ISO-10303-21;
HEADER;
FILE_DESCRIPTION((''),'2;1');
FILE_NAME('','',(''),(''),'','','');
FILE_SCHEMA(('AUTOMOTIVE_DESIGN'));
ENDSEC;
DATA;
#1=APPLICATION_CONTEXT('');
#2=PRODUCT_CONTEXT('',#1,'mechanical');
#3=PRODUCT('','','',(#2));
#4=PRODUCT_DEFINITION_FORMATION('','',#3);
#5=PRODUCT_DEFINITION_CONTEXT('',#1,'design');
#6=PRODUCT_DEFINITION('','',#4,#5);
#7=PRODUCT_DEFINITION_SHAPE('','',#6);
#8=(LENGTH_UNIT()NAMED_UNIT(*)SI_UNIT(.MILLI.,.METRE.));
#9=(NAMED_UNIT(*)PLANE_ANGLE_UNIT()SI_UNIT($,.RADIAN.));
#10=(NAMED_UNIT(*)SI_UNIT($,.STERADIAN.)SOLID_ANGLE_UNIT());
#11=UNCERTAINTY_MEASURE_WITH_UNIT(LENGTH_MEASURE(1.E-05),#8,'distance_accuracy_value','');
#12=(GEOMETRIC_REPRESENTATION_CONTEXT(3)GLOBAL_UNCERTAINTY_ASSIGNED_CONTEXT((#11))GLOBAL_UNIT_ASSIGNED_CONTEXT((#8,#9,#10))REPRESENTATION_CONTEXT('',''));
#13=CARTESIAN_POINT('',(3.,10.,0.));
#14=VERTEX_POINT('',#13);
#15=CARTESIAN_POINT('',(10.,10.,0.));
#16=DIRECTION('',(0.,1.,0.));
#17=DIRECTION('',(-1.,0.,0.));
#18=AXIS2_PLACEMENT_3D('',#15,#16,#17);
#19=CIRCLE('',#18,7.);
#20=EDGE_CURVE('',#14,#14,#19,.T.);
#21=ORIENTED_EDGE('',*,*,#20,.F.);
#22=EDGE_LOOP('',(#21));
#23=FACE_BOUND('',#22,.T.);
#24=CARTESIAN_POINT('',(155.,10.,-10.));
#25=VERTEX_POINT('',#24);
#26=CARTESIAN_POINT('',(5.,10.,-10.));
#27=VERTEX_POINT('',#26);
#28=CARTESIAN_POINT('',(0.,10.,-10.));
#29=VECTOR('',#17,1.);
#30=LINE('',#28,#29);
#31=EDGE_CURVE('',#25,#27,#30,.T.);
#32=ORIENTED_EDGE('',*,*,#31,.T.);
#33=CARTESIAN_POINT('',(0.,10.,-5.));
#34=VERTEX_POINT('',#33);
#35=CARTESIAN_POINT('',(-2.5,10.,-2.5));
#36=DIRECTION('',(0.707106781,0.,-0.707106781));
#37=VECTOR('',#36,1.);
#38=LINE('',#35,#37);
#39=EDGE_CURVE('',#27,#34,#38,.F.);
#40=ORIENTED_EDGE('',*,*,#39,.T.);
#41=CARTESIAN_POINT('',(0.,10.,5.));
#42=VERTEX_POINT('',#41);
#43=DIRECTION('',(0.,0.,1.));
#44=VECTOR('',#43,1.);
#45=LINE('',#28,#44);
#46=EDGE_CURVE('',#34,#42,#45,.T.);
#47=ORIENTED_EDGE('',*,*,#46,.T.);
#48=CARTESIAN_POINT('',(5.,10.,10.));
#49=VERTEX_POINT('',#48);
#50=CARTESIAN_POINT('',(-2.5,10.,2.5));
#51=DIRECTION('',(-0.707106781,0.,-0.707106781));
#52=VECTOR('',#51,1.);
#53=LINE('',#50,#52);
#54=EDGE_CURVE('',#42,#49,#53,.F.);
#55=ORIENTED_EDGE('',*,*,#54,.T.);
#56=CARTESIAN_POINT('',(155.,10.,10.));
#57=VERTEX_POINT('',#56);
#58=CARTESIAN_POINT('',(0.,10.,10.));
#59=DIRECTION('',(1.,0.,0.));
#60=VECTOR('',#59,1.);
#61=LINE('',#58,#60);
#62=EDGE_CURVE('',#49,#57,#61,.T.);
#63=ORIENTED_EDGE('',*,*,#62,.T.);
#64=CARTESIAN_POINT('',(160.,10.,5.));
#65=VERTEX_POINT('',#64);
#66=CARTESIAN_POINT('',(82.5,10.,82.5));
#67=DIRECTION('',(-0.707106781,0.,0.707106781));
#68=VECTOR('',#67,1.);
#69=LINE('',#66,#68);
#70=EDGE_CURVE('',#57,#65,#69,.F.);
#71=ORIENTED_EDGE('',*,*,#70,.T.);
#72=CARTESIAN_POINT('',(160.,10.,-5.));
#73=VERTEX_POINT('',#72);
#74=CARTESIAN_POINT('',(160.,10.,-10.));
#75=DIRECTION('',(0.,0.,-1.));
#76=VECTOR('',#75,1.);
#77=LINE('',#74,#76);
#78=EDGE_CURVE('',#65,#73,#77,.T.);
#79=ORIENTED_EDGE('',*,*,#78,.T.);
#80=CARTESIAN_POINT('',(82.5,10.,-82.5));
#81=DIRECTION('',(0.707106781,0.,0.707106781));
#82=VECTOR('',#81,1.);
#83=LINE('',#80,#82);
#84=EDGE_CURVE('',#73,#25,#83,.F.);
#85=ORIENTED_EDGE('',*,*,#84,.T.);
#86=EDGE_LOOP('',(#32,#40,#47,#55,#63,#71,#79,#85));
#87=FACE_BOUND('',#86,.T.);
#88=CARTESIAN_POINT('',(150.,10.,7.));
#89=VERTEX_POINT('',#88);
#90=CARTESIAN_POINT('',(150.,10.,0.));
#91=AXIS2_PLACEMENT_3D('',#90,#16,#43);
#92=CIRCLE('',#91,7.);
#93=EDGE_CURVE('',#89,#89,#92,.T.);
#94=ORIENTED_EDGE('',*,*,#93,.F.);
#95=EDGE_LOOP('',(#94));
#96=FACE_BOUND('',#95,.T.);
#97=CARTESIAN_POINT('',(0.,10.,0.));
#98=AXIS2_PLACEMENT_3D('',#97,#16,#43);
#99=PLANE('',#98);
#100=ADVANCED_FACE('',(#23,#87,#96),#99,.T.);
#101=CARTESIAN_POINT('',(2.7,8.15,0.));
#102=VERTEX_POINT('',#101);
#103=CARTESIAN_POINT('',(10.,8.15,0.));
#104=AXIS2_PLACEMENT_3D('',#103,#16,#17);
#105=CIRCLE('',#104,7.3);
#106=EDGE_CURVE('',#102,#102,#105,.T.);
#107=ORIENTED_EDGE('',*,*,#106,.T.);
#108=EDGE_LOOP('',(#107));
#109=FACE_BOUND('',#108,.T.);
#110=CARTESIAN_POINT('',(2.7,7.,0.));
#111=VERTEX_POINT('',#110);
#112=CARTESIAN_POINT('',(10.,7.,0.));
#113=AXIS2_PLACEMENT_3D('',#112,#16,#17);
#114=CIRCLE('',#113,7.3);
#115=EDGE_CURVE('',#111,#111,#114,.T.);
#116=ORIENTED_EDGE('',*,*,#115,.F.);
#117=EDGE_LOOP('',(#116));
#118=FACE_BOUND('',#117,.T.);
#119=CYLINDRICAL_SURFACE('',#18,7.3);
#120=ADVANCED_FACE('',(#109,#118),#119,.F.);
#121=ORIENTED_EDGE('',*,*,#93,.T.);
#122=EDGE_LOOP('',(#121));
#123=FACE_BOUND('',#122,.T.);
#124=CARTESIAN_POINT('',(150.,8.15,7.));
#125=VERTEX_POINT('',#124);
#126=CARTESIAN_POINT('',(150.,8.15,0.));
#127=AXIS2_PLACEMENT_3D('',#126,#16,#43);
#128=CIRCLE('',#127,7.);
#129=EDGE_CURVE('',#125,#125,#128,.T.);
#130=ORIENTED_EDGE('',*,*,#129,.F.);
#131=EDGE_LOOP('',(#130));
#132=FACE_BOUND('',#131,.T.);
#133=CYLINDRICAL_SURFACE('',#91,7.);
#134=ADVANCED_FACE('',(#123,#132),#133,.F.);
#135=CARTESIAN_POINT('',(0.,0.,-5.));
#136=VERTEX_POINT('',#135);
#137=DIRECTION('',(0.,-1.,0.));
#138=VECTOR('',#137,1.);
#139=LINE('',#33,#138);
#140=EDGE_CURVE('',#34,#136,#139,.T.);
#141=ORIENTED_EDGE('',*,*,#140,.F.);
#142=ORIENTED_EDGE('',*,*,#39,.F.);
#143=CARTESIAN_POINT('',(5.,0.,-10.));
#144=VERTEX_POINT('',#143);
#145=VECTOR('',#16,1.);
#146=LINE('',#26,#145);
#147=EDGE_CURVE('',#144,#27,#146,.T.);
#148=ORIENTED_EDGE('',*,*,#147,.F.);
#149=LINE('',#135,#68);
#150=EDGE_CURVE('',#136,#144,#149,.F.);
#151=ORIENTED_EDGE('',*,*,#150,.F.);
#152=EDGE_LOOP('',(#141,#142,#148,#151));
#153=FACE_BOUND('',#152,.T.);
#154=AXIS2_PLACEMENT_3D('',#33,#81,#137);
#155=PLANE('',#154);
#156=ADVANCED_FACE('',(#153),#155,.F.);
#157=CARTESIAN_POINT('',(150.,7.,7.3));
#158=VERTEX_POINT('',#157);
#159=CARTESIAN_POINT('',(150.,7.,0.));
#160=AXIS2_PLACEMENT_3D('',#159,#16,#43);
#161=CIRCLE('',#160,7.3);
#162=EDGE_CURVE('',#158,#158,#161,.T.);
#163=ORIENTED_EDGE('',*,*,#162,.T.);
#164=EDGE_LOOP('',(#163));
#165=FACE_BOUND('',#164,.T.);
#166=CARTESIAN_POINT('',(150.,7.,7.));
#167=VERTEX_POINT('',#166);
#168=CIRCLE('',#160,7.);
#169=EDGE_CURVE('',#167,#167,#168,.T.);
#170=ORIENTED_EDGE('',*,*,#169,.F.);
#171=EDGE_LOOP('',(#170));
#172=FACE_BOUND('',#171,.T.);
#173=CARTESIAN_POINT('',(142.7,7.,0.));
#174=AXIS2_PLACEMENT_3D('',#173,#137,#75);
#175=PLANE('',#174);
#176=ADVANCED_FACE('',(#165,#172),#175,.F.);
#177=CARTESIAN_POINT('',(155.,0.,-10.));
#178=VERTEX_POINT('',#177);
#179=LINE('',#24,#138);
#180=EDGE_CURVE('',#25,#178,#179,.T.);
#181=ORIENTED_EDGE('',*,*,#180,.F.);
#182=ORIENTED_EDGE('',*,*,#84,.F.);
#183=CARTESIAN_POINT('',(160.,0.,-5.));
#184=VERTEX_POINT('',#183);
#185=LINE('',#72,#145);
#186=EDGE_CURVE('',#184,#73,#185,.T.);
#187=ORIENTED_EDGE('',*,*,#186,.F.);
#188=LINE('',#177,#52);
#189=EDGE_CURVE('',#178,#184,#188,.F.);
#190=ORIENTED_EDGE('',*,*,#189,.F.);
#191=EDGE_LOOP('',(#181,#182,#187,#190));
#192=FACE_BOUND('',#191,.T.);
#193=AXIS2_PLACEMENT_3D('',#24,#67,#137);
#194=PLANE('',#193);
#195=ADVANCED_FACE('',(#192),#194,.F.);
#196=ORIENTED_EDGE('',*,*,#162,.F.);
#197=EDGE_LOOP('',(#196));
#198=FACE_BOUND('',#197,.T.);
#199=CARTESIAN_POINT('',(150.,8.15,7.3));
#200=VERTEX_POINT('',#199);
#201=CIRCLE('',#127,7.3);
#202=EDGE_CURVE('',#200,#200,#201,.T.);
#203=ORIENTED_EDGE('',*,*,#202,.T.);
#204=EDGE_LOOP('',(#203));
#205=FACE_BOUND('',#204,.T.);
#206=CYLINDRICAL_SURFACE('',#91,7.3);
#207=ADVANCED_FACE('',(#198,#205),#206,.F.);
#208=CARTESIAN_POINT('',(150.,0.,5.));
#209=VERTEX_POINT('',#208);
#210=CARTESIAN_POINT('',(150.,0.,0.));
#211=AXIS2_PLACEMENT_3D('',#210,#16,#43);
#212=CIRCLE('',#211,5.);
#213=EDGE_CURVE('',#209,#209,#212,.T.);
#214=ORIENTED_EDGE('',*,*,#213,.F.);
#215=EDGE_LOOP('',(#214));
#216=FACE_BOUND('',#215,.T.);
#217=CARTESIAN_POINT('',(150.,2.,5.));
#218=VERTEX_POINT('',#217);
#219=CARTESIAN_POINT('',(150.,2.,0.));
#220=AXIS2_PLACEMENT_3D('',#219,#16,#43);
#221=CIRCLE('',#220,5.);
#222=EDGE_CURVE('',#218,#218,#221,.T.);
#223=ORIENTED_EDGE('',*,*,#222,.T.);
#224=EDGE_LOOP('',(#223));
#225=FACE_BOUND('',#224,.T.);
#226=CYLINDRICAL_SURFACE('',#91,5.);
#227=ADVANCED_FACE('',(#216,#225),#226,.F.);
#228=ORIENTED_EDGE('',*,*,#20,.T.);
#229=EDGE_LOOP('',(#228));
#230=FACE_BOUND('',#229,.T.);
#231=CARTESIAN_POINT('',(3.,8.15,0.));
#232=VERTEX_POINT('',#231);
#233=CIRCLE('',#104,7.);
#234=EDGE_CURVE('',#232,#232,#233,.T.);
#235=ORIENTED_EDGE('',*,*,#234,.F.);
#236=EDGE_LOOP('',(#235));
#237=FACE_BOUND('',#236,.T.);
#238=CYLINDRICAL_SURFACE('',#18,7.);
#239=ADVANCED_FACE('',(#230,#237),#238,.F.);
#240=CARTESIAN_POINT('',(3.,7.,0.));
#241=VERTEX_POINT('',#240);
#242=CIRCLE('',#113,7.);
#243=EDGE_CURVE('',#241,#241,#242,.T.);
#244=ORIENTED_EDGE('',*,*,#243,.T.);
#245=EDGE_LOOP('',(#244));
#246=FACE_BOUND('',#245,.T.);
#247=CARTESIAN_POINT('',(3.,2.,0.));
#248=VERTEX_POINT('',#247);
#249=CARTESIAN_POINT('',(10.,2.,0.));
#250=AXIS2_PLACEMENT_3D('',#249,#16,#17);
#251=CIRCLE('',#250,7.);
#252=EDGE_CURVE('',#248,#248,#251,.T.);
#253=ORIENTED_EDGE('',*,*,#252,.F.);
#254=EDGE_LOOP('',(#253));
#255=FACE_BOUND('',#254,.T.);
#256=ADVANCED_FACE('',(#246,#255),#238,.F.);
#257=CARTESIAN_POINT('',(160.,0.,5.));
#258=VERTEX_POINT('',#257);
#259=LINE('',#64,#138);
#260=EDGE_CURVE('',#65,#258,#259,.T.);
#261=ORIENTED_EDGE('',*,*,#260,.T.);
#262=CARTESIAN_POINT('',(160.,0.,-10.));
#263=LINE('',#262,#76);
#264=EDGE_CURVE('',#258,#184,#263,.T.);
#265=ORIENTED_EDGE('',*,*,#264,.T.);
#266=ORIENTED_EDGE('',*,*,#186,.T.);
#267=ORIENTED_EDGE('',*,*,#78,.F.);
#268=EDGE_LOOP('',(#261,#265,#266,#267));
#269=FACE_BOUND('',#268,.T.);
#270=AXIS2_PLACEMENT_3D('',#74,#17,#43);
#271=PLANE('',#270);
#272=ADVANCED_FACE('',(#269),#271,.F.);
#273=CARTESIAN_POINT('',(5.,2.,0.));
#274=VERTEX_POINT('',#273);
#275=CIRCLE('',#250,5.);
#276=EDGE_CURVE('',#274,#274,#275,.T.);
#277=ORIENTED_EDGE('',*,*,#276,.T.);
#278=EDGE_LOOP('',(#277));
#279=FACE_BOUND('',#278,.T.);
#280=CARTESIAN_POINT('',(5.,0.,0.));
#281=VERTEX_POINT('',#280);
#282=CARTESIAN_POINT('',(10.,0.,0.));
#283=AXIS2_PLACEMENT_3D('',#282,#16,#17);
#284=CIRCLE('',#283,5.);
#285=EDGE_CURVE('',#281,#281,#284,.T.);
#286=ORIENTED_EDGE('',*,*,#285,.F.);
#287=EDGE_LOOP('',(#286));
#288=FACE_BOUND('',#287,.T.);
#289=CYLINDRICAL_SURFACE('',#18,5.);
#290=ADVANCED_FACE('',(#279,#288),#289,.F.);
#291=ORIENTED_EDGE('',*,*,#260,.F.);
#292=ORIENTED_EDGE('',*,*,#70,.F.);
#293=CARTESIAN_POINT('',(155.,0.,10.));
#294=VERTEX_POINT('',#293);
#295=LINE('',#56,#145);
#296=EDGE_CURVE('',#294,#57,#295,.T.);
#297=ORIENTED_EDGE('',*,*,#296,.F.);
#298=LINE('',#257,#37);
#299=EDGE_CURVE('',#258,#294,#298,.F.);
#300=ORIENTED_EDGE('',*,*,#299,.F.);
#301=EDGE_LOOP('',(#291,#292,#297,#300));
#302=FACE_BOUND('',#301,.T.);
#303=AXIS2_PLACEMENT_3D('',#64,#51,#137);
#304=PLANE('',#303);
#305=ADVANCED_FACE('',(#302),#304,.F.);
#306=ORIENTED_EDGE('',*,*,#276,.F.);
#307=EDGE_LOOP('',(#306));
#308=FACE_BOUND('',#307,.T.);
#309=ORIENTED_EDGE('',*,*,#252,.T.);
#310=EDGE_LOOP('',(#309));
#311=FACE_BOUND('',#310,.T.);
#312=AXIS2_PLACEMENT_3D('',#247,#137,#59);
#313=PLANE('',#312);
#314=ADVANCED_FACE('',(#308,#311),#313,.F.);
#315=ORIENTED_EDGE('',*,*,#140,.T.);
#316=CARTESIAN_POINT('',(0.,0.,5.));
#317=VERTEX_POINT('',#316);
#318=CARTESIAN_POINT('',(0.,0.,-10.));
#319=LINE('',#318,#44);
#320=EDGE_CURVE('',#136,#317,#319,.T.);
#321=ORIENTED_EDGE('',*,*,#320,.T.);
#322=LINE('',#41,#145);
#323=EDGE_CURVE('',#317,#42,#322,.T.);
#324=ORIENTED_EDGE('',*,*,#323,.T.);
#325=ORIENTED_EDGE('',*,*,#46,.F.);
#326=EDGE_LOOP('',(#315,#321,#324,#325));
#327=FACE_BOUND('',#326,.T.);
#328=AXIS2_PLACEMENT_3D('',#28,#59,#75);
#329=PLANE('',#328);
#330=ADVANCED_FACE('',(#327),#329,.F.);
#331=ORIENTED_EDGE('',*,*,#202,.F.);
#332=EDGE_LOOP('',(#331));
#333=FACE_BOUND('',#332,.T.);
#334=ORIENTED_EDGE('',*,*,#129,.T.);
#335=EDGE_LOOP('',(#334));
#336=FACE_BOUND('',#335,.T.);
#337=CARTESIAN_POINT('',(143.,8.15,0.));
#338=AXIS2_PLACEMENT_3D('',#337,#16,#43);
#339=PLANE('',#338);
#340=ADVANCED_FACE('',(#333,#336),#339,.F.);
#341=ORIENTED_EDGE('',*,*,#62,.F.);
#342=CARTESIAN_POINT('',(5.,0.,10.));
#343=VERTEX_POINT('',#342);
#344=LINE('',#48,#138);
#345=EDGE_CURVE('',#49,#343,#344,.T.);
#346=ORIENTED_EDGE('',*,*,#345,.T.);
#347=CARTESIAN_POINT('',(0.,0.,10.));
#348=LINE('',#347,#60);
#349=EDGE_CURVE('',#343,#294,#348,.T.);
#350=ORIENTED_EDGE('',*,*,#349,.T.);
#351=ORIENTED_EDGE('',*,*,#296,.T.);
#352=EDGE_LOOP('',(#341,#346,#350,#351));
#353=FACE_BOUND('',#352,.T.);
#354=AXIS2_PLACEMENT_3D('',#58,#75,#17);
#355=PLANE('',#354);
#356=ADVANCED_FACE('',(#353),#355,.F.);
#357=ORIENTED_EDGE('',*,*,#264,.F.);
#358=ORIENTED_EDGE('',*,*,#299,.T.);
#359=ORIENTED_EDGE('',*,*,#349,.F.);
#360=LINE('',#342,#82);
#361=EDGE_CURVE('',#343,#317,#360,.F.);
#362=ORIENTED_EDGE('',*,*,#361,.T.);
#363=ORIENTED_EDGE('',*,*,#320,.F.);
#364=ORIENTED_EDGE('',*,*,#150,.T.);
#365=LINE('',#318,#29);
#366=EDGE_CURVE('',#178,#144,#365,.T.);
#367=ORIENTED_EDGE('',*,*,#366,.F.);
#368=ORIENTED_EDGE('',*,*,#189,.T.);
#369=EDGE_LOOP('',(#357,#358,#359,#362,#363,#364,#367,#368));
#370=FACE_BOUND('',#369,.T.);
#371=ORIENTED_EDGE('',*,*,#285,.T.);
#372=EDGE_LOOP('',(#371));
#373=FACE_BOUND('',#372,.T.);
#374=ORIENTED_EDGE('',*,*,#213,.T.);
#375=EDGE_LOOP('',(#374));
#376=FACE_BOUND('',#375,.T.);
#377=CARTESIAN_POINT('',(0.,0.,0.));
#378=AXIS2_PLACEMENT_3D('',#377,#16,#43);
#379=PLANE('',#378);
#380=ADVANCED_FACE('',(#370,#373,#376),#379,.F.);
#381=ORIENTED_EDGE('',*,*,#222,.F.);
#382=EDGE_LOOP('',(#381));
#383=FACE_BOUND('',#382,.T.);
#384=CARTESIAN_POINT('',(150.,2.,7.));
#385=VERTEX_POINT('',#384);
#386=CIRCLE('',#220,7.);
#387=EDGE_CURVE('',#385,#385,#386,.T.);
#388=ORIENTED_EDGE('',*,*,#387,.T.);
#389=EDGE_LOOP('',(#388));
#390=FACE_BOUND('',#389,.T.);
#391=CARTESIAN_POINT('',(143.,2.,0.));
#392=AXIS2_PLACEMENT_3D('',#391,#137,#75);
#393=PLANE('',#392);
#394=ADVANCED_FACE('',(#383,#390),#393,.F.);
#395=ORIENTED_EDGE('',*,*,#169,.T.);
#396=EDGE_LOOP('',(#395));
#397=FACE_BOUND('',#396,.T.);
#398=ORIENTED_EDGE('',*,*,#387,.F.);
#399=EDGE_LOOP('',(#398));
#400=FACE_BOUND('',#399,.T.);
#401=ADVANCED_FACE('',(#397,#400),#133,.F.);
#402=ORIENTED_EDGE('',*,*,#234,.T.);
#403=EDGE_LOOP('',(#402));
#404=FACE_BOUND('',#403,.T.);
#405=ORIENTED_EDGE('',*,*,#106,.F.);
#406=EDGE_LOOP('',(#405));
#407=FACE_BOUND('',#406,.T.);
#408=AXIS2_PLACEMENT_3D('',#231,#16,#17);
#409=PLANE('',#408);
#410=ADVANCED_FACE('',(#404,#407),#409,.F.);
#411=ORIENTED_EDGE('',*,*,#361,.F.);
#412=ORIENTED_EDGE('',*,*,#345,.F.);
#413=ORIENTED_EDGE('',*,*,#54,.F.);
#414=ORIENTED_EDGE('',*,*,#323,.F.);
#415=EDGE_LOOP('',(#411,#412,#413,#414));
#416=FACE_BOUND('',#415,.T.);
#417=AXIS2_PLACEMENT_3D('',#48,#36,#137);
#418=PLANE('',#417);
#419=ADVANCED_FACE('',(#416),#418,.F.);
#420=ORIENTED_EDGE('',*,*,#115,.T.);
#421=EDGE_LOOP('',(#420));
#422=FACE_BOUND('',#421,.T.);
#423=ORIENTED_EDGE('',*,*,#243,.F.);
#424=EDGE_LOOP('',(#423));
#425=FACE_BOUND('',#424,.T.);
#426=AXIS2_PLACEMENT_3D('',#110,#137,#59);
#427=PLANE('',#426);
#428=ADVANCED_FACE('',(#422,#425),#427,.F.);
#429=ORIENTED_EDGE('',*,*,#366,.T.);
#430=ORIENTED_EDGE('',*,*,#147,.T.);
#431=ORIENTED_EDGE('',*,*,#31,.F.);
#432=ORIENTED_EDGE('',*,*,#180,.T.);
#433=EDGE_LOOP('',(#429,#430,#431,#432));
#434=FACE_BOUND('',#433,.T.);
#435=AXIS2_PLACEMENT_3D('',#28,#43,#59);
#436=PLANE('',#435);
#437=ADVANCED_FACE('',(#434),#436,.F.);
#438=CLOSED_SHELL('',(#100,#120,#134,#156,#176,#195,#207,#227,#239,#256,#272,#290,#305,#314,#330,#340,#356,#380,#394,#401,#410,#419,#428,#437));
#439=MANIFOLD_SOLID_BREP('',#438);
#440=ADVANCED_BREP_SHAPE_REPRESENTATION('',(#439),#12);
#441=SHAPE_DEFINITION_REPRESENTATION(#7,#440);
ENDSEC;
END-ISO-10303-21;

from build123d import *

# Parameters (mm, degrees)
SKETCH1_W           = 160
SKETCH1_H           = 20
BOSS_EXTRUDE1_DEPTH = 10
CHAMFER1_SIZE       = 5


with BuildPart() as part:
    # Sketch1 → Boss-Extrude1 (new body)
    with BuildSketch(Plane(origin=(0, 0, 0), x_dir=(1, 0, 0), z_dir=(0, 1, 0))):
        with Locations((80, 0)):
            Rectangle(SKETCH1_W, SKETCH1_H)
    extrude(amount=BOSS_EXTRUDE1_DEPTH)

    # Chamfer1
    chamfer1_edges = [part.edges().sort_by_distance(p)[0] for p in [
        (0, 5, -10),
        (160, 5, -10),
        (160, 5, 10),
        (0, 5, 10),
    ]]
    chamfer(chamfer1_edges, length=CHAMFER1_SIZE)

    # Sketch2 → Cut-Revolve1 (revolve, cut)
    with BuildSketch(Plane.XY):
        Polygon((2.7, 7), (3, 7), (3, 2), (5, 2), (5, 0), (10, 0), (10, 10), (3, 10), (3, 8.15), (2.7, 8.15), align=None)
    revolve(axis=Axis((10, 10, 0), (0, -1, 0)), mode=Mode.SUBTRACT)

    # Sketch7 → Cut-Revolve2 (revolve, cut)
    with BuildSketch(Plane.XY, mode=Mode.PRIVATE) as cut_revolve2_sk:
        Polygon((143, 10), (143, 8.15), (142.7, 8.15), (142.7, 7), (143, 7), (143, 2), (145, 2), (145, 0), (150, 0), (150, 10), align=None)
    revolve(cut_revolve2_sk.sketch.rotate(Axis((150, 10, 0), (0, -1, 0)), 270), axis=Axis((150, 10, 0), (0, -1, 0)), mode=Mode.SUBTRACT)


solid = part.part
